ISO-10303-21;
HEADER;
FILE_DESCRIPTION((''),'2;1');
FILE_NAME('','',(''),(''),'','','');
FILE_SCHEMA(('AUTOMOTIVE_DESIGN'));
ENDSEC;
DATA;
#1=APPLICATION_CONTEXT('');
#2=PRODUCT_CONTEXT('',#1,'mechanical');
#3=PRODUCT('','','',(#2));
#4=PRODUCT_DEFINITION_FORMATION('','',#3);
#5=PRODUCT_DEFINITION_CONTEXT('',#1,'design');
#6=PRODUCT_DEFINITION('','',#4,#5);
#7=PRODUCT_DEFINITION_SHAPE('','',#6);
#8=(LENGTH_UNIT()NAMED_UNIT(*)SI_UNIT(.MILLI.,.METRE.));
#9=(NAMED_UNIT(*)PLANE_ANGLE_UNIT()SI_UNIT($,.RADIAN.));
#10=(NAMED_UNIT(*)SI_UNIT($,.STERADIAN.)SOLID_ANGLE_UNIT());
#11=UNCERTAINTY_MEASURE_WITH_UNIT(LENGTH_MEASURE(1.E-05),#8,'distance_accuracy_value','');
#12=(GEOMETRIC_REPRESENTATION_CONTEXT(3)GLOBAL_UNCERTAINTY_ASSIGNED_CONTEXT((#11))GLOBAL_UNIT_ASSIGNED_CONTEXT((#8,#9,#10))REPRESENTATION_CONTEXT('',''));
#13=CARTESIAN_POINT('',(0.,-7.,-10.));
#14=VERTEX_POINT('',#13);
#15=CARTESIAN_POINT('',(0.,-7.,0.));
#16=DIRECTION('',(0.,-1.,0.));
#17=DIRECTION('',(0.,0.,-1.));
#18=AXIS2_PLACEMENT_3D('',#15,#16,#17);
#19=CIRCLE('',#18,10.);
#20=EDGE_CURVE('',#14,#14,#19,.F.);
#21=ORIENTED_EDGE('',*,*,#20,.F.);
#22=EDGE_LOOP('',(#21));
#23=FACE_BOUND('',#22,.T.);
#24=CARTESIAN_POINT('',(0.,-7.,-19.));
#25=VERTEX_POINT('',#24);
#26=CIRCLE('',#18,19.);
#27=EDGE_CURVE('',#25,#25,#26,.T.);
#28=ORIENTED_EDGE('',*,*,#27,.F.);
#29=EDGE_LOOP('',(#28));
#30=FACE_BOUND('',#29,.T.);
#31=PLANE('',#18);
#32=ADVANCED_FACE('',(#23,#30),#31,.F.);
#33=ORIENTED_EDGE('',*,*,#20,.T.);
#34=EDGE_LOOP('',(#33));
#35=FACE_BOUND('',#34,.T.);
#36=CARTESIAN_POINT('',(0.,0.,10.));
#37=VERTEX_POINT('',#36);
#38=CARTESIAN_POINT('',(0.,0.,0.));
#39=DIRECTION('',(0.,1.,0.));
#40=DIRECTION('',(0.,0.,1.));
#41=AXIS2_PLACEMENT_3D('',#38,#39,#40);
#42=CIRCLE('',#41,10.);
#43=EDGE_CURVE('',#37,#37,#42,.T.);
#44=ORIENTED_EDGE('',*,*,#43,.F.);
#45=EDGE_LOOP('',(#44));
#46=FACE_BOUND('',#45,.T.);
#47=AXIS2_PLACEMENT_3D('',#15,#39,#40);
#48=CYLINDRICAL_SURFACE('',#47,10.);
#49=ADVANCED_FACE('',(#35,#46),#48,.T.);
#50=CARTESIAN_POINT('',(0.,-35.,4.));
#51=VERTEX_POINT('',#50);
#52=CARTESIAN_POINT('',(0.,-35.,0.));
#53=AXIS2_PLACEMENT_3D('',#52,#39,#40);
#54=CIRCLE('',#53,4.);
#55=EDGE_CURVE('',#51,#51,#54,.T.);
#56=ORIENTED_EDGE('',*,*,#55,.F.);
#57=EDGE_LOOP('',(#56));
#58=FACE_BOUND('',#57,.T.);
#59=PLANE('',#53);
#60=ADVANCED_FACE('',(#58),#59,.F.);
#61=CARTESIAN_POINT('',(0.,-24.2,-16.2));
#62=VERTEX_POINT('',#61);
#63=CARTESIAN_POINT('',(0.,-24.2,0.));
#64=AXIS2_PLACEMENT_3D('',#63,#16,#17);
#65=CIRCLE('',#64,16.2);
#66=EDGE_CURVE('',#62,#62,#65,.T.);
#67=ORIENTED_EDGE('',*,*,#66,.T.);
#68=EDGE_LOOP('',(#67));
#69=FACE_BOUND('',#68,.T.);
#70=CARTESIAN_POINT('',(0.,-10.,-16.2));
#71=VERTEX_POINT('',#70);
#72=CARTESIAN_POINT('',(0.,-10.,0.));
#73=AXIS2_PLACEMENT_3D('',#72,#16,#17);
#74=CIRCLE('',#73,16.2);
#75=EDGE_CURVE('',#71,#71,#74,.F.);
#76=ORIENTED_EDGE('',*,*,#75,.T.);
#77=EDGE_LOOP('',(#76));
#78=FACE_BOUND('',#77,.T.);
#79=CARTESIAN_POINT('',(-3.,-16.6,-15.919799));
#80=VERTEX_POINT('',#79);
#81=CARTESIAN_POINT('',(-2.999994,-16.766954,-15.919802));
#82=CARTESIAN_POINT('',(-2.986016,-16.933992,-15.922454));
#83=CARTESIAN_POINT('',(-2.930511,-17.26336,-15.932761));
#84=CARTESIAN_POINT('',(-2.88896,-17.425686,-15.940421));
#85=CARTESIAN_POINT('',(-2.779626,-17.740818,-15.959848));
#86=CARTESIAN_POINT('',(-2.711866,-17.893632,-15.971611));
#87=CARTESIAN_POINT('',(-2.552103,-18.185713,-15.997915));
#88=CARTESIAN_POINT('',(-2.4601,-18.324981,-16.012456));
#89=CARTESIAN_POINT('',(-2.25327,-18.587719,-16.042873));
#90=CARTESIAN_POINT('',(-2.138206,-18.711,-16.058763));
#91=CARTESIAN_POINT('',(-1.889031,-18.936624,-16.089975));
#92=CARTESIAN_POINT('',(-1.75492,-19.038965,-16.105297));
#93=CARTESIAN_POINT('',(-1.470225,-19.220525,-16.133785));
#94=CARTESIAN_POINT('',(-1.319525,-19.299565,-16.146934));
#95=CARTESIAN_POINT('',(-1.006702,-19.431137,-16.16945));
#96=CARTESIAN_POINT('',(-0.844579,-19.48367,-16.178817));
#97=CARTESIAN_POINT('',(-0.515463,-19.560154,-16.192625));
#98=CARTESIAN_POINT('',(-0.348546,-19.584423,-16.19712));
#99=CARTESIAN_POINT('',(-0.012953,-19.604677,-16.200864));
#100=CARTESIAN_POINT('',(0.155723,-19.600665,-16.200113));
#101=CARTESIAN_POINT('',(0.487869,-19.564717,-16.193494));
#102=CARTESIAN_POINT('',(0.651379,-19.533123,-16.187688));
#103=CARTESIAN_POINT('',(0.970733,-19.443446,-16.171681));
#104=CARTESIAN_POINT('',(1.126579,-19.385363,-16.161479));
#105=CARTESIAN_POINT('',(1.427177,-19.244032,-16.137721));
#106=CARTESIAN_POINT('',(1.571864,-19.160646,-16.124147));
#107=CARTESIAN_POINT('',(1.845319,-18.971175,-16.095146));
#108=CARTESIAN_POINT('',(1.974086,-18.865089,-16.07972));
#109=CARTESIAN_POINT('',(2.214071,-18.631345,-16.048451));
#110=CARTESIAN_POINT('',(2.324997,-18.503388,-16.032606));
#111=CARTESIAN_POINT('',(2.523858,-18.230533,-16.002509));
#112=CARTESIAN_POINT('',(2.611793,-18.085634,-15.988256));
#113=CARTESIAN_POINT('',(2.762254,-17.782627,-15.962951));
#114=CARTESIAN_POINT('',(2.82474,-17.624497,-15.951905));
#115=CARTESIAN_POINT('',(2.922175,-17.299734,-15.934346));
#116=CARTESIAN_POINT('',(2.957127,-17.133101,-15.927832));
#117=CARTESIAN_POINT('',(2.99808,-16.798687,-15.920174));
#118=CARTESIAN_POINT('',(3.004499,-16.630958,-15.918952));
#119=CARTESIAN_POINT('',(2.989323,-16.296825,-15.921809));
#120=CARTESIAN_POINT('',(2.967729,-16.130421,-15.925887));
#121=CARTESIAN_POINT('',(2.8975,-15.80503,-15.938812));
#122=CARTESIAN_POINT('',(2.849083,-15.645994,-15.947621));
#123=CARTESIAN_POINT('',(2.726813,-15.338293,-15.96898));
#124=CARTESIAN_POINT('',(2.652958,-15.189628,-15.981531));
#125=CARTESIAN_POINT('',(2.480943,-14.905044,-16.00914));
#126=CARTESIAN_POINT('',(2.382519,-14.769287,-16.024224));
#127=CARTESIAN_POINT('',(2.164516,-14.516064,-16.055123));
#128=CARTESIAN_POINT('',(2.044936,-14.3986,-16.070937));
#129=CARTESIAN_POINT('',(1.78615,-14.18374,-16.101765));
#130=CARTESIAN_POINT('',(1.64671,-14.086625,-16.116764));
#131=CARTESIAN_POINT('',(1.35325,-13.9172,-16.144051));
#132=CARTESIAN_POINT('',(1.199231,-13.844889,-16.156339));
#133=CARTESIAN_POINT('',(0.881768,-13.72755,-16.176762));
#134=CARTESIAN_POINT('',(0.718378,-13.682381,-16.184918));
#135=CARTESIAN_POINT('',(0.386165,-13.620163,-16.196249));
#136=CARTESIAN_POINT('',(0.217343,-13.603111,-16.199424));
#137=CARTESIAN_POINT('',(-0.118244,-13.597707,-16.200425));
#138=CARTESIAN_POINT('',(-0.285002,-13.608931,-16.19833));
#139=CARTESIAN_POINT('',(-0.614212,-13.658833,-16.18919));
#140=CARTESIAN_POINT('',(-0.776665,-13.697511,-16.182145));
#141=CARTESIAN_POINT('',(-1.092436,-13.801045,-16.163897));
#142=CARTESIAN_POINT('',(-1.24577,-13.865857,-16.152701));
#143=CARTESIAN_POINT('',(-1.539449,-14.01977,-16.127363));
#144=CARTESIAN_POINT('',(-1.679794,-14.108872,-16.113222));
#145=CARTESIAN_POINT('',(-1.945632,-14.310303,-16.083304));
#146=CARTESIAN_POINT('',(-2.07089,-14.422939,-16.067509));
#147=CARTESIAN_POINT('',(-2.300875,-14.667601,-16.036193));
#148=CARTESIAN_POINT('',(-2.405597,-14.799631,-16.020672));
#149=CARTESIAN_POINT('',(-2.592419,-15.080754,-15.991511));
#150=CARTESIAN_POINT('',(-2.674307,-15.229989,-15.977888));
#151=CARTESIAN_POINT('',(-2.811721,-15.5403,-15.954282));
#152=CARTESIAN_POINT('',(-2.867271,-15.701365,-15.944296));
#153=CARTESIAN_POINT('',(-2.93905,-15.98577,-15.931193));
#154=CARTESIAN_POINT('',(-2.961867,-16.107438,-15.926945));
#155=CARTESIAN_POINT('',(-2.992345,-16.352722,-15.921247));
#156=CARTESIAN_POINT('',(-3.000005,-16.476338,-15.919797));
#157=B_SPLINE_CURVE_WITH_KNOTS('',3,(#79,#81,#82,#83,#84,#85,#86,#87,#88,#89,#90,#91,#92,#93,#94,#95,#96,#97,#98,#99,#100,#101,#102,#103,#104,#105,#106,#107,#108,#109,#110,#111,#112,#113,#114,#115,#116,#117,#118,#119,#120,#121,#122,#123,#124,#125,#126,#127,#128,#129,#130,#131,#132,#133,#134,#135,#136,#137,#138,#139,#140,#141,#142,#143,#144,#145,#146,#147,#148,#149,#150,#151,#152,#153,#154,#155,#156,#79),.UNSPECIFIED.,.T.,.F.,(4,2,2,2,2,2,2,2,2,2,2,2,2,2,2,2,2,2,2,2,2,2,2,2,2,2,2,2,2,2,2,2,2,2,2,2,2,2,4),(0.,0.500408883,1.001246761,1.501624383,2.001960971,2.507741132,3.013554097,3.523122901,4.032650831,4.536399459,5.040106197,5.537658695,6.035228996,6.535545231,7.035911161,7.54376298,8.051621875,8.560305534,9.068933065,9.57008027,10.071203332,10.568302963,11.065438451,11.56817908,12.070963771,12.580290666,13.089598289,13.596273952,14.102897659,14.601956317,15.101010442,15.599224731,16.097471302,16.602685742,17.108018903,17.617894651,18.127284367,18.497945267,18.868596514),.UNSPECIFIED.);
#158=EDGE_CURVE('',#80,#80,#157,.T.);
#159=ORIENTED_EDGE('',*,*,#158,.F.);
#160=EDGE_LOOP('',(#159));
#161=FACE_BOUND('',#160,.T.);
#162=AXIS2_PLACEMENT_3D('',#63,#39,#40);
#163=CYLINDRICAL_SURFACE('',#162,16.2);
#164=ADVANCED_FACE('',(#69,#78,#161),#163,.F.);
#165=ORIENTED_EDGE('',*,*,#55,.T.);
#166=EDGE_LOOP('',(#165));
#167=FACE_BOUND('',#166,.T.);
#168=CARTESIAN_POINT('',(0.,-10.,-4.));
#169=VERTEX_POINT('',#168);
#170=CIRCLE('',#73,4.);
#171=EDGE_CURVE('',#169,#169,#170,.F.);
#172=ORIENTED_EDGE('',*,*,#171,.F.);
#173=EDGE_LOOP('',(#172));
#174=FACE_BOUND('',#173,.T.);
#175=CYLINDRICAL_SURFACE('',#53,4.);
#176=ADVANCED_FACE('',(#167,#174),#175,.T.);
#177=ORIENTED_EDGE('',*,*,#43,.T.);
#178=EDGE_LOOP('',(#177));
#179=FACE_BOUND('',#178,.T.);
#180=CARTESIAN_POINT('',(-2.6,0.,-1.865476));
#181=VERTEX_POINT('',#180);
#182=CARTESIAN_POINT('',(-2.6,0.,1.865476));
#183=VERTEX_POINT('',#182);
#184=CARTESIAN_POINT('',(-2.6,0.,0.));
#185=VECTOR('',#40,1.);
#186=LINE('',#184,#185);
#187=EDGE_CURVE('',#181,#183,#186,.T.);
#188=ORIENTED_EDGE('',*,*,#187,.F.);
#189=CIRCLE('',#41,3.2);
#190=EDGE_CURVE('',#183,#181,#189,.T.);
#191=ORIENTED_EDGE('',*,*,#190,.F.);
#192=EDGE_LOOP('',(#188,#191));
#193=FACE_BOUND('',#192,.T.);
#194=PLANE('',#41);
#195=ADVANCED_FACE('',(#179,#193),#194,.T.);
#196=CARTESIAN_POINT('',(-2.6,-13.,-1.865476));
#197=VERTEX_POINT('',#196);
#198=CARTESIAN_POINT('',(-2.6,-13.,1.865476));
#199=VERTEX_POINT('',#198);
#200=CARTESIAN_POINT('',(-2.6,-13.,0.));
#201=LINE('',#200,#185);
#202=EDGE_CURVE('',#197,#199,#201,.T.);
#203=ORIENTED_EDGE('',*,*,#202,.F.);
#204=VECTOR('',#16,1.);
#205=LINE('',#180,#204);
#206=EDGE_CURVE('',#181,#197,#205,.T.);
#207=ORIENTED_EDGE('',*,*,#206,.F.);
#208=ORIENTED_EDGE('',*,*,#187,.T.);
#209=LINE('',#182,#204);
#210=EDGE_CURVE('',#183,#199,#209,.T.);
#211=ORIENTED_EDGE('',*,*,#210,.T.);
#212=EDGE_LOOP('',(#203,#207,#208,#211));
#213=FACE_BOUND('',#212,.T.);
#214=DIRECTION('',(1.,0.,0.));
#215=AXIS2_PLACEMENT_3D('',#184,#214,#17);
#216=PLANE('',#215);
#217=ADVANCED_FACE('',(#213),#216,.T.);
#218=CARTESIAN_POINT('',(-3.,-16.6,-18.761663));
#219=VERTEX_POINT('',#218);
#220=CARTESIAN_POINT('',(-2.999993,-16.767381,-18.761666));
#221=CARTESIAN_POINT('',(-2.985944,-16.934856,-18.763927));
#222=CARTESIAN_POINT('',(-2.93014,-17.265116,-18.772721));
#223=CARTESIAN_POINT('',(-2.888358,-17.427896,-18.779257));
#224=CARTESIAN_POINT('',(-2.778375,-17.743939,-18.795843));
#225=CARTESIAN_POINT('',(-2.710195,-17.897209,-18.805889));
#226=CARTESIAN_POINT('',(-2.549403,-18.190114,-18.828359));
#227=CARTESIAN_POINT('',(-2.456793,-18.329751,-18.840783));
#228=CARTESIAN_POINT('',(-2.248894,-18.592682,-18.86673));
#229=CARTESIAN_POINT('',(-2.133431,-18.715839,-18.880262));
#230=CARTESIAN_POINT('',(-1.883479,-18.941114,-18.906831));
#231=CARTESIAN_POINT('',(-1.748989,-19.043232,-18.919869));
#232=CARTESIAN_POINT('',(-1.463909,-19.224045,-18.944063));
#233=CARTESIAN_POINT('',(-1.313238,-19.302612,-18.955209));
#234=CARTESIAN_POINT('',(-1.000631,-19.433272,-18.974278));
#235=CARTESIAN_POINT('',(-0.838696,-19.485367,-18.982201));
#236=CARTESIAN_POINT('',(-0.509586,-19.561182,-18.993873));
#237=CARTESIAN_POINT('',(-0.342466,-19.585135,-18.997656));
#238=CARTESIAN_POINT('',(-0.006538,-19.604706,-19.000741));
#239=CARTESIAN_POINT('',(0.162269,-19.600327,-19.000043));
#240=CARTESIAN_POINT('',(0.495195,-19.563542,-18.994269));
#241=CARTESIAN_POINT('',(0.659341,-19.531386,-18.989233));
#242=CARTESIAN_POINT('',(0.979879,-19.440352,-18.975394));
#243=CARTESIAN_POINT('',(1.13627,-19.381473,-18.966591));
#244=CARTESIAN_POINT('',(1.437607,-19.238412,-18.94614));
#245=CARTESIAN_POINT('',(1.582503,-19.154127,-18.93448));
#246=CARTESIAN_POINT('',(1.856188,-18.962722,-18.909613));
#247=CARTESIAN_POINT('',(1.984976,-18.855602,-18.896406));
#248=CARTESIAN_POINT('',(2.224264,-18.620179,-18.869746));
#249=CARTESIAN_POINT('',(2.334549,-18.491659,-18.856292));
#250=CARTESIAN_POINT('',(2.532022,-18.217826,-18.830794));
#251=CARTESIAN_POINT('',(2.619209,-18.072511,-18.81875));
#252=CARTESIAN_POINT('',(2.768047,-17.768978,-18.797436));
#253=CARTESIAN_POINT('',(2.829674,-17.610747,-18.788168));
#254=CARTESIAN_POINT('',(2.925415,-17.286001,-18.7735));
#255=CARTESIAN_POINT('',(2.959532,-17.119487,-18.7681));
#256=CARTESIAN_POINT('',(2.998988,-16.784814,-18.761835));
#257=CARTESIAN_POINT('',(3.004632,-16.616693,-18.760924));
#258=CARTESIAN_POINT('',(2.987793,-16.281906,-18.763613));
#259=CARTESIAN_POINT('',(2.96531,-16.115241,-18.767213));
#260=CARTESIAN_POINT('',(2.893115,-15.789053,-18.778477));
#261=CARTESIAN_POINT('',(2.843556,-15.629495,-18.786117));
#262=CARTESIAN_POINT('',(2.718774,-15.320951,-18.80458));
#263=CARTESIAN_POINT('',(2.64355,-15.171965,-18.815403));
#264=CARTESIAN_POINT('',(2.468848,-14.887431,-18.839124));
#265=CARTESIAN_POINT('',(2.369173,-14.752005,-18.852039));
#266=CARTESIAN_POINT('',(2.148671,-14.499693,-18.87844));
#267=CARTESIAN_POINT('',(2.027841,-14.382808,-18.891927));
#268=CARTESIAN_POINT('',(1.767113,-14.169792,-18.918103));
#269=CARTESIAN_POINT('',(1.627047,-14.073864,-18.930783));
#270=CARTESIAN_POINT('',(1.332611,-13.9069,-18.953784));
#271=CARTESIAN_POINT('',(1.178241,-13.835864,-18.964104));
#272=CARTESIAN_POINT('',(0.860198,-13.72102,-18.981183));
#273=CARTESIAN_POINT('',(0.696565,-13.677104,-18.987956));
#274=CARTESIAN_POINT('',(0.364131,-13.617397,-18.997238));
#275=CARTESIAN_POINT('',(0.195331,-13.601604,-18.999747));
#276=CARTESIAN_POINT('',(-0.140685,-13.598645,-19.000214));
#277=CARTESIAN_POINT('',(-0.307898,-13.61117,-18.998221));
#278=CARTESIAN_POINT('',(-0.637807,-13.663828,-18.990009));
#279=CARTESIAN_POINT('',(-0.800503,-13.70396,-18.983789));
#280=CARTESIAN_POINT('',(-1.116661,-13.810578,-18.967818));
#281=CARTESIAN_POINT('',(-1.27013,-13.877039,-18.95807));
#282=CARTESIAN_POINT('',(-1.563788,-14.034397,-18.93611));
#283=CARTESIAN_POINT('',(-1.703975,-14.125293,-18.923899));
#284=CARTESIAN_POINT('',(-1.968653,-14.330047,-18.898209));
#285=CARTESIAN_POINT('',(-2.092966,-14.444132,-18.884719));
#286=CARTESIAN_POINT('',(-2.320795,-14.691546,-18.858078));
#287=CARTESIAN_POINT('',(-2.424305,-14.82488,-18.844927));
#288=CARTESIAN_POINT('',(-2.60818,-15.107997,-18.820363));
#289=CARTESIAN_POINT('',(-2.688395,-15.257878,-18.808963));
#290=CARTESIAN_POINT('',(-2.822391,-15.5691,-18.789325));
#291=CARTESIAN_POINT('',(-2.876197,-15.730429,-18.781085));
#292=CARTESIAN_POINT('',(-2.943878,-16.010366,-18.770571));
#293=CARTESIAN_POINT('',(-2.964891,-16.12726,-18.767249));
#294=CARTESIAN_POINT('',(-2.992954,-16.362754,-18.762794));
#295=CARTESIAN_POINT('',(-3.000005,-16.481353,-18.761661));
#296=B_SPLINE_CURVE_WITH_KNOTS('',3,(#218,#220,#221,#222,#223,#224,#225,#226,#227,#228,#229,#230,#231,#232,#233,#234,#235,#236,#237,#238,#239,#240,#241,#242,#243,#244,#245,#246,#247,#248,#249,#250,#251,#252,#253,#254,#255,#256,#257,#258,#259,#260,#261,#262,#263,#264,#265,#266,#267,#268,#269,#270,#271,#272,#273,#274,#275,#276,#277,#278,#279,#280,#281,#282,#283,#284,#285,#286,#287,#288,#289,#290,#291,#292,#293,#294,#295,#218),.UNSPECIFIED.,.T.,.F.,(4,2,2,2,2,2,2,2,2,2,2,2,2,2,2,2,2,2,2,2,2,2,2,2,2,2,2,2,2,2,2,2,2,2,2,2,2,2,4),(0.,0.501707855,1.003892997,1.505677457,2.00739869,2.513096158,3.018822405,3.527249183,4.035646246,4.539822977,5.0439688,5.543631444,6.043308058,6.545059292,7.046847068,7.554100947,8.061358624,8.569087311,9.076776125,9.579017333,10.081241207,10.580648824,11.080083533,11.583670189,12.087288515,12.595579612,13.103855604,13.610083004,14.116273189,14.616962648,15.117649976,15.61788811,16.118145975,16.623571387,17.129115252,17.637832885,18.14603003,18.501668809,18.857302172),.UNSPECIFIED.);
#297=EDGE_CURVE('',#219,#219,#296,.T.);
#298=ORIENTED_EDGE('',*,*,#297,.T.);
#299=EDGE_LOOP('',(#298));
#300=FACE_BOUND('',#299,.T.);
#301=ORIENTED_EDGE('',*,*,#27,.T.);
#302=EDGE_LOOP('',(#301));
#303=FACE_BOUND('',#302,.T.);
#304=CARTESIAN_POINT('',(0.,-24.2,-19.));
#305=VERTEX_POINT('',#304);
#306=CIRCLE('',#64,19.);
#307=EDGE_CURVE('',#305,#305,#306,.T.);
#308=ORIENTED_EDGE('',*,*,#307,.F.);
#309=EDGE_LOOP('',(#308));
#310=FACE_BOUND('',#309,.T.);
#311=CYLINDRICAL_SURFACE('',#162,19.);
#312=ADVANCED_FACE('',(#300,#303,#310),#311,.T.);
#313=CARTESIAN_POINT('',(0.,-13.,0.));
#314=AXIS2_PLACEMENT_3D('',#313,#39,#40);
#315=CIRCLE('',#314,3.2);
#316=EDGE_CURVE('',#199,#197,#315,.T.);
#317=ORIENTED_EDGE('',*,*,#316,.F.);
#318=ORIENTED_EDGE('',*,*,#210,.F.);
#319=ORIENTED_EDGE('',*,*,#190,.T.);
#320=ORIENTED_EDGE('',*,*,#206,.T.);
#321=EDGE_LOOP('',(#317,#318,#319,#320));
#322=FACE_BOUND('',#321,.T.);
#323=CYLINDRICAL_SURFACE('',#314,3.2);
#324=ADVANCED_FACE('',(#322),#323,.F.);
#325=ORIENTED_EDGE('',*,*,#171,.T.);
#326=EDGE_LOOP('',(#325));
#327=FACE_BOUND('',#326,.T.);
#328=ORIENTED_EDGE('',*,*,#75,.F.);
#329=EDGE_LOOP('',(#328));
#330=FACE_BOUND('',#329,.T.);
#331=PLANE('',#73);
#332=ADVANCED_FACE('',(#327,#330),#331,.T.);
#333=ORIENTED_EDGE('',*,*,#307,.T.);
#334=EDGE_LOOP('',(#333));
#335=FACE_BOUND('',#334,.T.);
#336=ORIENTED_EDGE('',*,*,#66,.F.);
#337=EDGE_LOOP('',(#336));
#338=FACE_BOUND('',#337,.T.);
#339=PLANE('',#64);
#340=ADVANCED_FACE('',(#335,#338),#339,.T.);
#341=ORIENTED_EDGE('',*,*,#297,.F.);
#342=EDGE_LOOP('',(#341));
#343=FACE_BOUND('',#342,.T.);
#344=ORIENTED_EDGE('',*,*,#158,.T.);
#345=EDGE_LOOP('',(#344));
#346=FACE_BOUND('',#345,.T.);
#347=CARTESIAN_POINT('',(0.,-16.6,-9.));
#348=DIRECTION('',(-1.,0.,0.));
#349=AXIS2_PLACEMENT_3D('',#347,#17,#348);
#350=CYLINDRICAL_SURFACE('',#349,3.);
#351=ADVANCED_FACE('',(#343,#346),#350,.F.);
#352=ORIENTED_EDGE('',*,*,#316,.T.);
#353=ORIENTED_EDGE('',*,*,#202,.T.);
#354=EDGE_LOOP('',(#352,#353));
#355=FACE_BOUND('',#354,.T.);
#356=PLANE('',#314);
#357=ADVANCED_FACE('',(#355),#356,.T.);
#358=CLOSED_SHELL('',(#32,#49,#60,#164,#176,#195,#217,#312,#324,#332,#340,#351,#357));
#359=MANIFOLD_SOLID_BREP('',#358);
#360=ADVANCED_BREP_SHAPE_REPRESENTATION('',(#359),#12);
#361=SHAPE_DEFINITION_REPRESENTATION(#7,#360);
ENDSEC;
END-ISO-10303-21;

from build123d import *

# Parameters (mm, degrees)
ESQUISSE1_R             = 4
BOSS_EXTRU_1_DEPTH      = 35
ESQUISSE2_R             = 3.2
ENL_V_MAT_EXTRU_1_DEPTH = 13
BOSS_EXTRU_2_START      = 13
BOSS_EXTRU_2_DEPTH      = 13
ESQUISSE5_R             = 10
ESQUISSE5_R_2           = 4
BOSS_EXTRU_3_DEPTH      = 7
SKETCH2_R               = 16.2
SKETCH2_R_2             = 4
BOSS_EXTRUDE4_DEPTH     = 3
SKETCH2_8_R             = 19
SKETCH2_8_R_2           = 16.2
BOSS_EXTRUDE5_DEPTH     = 17.2
SKETCH4_R               = 3
CUT_EXTRUDE1_DEPTH      = 10


with BuildPart() as part:
    # Esquisse1 → Boss.-Extru.1 (new body)
    with BuildSketch(Plane(origin=(0, 0, 0), x_dir=(1, 0, 0), z_dir=(0, 1, 0))):
        Circle(ESQUISSE1_R)
    extrude(amount=-BOSS_EXTRU_1_DEPTH)

    # Esquisse2 → Enlèv. mat.-Extru.1 (cut)
    with BuildSketch(Plane(origin=(0, 0, 0), x_dir=(1, 0, 0), z_dir=(0, 1, 0))):
        Circle(ESQUISSE2_R)
    extrude(amount=-ENL_V_MAT_EXTRU_1_DEPTH, mode=Mode.SUBTRACT)

    # Esquisse4 → Boss.-Extru.2 (add)
    with BuildSketch(Plane(origin=(0, -13, 0), x_dir=(1, 0, 0), z_dir=(0, 1, 0)).offset(BOSS_EXTRU_2_START)):
        with BuildLine():
            Line((-2.6, -1.865475811), (-2.6, 0))
            Line((-2.6, 0), (-2.6, 1.865475811))
            ThreePointArc((-2.6, 1.865475811), (-3.2, 0), (-2.6, -1.865475811))
        make_face()
    extrude(amount=-BOSS_EXTRU_2_DEPTH)

    # Esquisse5 → Boss.-Extru.3 (add)
    with BuildSketch(Plane(origin=(0, 0, 0), x_dir=(1, 0, 0), z_dir=(0, 1, 0))):
        Circle(ESQUISSE5_R)
        Circle(ESQUISSE5_R_2, mode=Mode.SUBTRACT)
    extrude(amount=-BOSS_EXTRU_3_DEPTH)

    # Sketch2 → Boss-Extrude4 (add)
    with BuildSketch(Plane.XZ.offset(7)):
        Circle(SKETCH2_R)
        Circle(SKETCH2_R_2, mode=Mode.SUBTRACT)
    extrude(amount=BOSS_EXTRUDE4_DEPTH)

    # Sketch2<8> → Boss-Extrude5 (add)
    with BuildSketch(Plane.XZ.offset(7)):
        Circle(SKETCH2_8_R)
        Circle(SKETCH2_8_R_2, mode=Mode.SUBTRACT)
    extrude(amount=BOSS_EXTRUDE5_DEPTH)

    # Sketch4 → Cut-Extrude1 (cut)
    with BuildSketch(Plane(origin=(0, 0, -19), x_dir=(-1, 0, 0), z_dir=(0, 0, -1))):
        with Locations((0, -16.6)):
            Circle(SKETCH4_R)
    extrude(amount=-CUT_EXTRUDE1_DEPTH, mode=Mode.SUBTRACT)


solid = part.part
